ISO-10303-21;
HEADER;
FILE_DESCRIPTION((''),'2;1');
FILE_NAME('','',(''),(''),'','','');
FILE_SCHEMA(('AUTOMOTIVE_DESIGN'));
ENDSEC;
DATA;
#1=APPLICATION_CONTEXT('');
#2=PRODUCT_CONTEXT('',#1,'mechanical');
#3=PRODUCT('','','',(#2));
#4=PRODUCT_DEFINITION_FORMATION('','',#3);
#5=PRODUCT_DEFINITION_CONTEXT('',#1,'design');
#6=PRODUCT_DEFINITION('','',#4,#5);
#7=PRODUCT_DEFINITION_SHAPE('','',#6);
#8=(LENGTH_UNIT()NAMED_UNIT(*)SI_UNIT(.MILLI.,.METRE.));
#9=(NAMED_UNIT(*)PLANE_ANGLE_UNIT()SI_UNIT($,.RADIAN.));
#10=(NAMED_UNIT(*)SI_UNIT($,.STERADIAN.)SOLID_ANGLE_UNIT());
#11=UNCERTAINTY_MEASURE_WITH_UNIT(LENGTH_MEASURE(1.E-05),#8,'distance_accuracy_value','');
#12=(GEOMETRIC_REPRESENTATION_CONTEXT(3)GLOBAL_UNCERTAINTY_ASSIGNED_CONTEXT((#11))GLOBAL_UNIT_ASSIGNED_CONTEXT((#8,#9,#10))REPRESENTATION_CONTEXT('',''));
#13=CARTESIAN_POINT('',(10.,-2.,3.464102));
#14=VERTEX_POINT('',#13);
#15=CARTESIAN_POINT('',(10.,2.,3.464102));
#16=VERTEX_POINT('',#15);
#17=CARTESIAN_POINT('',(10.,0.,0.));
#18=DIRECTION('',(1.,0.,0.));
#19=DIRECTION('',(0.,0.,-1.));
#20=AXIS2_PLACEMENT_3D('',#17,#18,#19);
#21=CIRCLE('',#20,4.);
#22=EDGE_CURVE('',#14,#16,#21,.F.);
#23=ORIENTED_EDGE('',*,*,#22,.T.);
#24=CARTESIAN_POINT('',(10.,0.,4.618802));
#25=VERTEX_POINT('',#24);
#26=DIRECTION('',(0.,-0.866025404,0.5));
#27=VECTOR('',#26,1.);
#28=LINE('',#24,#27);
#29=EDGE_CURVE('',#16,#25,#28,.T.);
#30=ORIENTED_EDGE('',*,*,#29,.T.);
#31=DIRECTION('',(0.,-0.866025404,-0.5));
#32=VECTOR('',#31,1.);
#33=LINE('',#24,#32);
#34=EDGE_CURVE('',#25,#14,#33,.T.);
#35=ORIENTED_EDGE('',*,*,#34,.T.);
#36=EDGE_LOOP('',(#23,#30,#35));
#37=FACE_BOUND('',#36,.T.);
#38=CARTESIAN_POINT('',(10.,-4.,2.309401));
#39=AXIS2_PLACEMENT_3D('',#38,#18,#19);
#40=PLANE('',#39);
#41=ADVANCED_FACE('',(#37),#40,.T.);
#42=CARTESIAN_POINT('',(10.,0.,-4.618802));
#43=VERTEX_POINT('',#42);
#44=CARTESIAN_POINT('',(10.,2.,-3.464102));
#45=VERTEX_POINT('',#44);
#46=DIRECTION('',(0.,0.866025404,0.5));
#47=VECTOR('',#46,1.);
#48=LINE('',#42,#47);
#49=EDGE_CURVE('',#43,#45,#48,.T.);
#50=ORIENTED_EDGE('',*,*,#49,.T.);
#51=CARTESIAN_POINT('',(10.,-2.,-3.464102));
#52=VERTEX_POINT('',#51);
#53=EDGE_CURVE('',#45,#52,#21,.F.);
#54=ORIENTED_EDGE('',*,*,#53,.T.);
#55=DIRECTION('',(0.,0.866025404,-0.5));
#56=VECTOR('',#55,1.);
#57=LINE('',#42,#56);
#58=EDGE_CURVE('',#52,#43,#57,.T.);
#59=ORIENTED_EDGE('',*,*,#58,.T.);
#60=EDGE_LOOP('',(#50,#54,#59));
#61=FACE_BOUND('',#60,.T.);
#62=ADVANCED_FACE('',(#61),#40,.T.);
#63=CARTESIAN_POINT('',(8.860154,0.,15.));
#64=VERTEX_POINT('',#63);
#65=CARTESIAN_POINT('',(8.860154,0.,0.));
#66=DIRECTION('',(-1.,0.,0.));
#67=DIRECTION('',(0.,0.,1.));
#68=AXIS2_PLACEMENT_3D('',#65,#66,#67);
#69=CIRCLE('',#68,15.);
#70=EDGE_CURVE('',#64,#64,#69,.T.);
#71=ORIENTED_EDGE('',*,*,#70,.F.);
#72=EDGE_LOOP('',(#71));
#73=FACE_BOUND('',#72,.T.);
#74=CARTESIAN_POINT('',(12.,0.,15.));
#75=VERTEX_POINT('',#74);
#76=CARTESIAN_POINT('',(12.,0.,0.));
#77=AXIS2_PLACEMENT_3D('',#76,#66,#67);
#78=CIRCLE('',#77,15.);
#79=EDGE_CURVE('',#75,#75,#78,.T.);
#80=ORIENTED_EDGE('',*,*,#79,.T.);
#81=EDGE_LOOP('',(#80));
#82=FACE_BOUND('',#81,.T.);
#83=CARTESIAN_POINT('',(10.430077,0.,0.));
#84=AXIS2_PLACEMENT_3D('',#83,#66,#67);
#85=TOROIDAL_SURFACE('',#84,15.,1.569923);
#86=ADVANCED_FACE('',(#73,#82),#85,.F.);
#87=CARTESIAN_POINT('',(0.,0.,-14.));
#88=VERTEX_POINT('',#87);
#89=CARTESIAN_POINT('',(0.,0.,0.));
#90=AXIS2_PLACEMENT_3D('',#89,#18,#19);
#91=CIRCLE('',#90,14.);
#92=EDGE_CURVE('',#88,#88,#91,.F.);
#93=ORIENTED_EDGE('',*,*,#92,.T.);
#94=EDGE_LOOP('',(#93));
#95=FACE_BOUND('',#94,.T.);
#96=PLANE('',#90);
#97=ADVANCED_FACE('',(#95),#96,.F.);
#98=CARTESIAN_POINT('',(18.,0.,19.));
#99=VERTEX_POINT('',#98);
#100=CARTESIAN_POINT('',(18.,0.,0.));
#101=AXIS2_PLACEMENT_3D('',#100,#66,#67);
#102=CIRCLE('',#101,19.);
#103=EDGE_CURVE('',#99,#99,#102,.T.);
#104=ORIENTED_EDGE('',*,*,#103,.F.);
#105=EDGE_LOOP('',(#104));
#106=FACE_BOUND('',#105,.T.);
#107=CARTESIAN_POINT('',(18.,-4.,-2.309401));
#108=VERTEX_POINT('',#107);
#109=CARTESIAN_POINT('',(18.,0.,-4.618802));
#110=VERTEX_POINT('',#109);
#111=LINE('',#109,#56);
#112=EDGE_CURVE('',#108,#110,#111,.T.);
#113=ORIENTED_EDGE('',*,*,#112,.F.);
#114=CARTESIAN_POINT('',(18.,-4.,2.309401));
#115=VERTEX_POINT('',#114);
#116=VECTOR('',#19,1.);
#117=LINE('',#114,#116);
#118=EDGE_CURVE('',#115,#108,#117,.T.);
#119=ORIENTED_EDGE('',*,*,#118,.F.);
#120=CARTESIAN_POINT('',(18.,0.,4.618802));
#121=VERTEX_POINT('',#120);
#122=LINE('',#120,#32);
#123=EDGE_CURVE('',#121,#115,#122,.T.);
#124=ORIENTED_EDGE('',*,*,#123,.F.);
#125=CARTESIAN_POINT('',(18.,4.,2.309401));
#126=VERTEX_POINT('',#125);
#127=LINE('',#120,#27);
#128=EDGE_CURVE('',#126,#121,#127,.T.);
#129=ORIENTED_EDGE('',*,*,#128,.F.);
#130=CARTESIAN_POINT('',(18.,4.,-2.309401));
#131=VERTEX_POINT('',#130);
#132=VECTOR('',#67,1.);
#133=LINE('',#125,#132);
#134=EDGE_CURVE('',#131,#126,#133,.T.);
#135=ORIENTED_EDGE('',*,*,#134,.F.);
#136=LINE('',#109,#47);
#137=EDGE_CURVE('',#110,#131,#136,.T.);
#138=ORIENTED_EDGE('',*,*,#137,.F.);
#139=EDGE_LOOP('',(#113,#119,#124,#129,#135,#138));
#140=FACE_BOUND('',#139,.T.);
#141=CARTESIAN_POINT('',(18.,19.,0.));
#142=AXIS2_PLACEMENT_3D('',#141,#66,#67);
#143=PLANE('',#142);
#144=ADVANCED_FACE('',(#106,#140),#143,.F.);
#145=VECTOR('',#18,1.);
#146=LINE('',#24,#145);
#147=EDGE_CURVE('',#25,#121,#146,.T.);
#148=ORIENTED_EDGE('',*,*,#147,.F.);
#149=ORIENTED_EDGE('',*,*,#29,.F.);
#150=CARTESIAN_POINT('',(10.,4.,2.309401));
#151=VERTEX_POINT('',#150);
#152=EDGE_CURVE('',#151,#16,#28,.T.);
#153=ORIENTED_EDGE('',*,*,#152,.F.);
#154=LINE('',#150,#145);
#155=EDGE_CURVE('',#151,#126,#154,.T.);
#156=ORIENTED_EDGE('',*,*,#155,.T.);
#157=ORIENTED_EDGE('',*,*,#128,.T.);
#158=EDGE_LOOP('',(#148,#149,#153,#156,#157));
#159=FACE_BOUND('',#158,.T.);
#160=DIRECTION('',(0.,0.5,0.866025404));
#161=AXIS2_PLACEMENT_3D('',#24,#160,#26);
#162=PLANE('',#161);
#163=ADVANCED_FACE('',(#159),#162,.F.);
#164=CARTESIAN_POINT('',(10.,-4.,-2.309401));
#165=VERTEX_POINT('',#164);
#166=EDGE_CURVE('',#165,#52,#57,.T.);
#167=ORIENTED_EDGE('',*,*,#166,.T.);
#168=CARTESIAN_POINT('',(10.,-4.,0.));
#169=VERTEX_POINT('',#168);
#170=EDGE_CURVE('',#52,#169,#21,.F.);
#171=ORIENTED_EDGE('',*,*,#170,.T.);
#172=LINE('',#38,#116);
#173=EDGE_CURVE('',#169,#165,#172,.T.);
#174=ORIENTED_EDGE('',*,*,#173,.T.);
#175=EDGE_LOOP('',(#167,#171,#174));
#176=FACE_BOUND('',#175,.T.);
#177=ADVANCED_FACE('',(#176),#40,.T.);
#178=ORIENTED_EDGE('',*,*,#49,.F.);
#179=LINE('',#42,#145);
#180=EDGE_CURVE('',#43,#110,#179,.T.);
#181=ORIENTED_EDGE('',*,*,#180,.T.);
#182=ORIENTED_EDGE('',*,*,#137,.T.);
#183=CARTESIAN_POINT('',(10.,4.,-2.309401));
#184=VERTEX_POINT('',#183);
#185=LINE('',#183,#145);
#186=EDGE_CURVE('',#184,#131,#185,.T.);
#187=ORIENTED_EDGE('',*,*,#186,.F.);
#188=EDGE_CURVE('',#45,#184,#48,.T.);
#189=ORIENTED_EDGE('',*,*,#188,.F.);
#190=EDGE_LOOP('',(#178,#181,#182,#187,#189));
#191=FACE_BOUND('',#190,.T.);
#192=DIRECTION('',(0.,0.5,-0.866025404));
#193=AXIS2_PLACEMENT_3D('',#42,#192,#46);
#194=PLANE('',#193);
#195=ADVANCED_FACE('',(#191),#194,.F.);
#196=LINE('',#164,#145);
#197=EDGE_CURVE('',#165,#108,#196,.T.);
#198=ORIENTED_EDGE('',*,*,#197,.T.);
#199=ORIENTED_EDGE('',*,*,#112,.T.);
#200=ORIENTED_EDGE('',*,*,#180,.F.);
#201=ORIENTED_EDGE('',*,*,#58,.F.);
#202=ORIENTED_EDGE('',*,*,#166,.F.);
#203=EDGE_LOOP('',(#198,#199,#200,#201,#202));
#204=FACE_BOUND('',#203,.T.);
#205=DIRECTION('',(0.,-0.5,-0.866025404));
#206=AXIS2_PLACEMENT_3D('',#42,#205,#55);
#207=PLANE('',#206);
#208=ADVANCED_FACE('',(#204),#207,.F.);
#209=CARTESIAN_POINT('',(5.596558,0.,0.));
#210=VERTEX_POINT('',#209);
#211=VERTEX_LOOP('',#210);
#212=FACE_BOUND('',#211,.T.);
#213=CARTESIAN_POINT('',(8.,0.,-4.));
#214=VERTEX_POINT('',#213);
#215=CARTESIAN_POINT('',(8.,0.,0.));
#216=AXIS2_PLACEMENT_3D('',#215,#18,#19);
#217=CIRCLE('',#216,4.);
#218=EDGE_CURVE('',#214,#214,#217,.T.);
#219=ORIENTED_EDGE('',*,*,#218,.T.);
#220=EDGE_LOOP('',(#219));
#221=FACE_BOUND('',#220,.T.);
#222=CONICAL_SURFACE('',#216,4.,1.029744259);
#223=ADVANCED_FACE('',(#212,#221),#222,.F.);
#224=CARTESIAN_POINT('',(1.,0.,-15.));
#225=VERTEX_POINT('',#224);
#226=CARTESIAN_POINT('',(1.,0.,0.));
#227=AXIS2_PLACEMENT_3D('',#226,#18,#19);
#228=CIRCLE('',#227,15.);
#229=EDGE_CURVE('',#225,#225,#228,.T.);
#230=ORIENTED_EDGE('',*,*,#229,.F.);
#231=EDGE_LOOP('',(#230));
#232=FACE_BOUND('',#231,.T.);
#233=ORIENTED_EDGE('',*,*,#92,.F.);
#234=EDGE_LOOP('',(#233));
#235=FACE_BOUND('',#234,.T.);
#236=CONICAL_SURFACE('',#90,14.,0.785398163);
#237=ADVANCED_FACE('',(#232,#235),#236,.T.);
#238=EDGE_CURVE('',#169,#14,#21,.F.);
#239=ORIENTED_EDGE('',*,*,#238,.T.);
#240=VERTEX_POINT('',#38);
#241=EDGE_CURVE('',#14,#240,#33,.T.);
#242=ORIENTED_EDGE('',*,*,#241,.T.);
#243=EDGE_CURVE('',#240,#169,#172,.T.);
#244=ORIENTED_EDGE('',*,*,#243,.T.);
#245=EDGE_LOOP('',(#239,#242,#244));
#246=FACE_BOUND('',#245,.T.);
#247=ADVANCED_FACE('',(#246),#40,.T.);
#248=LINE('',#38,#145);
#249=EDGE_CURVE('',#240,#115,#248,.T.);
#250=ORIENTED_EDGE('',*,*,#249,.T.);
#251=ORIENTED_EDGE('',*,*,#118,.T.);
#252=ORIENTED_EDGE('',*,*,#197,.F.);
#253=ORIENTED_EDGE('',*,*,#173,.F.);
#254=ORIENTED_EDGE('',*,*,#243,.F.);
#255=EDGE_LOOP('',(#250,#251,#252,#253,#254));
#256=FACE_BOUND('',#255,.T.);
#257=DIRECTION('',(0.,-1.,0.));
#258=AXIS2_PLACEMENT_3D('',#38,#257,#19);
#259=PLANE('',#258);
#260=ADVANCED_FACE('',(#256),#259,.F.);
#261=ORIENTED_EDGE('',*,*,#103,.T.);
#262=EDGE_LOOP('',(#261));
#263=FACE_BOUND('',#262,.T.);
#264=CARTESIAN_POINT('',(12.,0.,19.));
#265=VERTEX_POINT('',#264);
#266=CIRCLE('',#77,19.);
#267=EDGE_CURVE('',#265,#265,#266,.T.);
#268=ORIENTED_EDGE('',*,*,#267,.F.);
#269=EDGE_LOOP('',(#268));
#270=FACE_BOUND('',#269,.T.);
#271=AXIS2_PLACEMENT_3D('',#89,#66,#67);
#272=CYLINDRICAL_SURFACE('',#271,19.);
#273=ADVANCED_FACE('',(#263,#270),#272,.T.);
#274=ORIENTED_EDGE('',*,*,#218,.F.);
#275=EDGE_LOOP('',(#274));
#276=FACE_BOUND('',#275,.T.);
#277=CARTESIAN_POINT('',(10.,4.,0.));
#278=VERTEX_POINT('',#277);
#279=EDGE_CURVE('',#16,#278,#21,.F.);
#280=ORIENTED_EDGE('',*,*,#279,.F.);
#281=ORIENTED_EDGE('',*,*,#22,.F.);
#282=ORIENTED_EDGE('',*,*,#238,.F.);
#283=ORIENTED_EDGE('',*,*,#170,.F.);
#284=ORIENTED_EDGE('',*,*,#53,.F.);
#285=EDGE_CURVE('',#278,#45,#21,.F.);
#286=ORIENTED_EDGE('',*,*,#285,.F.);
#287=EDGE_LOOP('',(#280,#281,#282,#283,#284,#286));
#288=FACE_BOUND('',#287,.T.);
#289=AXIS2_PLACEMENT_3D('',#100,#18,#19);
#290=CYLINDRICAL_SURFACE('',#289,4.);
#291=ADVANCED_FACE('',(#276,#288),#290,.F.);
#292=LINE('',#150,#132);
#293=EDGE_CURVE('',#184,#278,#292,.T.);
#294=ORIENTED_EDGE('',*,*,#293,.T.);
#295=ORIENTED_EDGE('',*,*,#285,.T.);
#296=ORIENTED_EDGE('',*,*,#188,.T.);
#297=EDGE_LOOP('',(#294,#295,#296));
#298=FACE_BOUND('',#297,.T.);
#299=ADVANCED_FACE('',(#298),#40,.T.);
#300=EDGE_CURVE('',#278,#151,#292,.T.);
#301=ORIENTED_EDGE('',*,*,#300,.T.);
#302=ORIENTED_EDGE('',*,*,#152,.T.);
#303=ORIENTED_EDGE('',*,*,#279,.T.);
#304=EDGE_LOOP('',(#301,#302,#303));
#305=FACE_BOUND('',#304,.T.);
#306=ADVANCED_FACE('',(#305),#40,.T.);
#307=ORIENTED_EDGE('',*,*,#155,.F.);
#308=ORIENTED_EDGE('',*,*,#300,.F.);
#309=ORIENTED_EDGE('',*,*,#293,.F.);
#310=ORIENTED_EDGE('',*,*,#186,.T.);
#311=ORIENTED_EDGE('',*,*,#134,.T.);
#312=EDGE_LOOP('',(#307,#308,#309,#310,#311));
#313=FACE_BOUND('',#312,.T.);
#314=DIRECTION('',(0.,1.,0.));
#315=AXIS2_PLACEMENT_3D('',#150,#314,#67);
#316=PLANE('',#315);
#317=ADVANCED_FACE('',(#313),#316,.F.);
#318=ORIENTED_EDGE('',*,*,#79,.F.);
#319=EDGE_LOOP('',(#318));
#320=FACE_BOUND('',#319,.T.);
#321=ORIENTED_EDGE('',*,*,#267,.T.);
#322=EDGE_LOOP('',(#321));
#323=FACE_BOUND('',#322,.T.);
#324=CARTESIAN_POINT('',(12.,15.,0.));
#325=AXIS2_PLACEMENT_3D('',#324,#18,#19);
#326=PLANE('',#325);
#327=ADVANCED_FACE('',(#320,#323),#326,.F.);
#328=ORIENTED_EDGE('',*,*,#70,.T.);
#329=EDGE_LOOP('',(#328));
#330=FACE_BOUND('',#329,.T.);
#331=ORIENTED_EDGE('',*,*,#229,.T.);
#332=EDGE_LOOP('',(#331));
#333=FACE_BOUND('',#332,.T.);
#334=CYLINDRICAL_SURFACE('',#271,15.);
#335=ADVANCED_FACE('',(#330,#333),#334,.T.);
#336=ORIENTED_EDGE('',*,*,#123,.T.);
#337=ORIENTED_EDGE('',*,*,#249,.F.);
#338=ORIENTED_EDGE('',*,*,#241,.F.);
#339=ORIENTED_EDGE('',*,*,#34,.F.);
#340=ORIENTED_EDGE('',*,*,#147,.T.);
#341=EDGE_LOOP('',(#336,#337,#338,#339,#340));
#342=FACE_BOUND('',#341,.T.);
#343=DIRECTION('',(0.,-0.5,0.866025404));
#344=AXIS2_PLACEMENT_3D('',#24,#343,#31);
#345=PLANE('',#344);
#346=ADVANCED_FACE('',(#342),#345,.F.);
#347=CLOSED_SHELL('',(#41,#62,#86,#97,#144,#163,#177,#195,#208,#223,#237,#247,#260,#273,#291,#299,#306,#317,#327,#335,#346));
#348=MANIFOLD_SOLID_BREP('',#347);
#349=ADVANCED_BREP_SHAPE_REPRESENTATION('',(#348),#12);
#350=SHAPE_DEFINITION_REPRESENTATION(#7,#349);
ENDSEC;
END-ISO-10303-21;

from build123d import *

# Parameters (mm, degrees)
ENL_V_MAT_EXTRU_1_DEPTH = 8
CHANFREIN1_SIZE         = 1


with BuildPart() as part:
    # Esquisse1 → Révolution1 (revolve)
    with BuildSketch(Plane.XY, mode=Mode.PRIVATE) as r_volution1_sk:
        with BuildLine():
            Line((0, 0), (0, 15))
            Line((0, 15), (8.860153684, 15))
            ThreePointArc((8.860153684, 15), (10.430076842, 13.430076842), (12, 15))
            Line((12, 15), (12, 19))
            Line((12, 19), (18, 19))
            Line((18, 19), (18, 0))
            Line((18, 0), (0, 0))
        make_face()
    revolve(r_volution1_sk.sketch.rotate(Axis((0, 0, 0), (1, 0, 0)), 90), axis=Axis((0, 0, 0), (1, 0, 0)))

    # Esquisse5 → Diamètre du perçage Ø8.0 (8)1 (revolve, cut)
    with BuildSketch(Plane(origin=(18, 0, 0), x_dir=(0, 0, -1), z_dir=(0, 1, 0))):
        Polygon((0, 0), (0, 12.403442476), (4, 10), (4, 0), align=None)
    revolve(axis=Axis((24.35, 0, 0), (-1, 0, 0)), mode=Mode.SUBTRACT)

    # Esquisse3 → Enlèv. mat.-Extru.1 (cut)
    with BuildSketch(Plane(origin=(18, 0, 0), x_dir=(0, 0, -1), z_dir=(1, 0, 0))):
        Polygon((-4.618802154, 0), (-2.309401077, 4), (2.309401077, 4), (4.618802154, 0), (2.309401077, -4), (-2.309401077, -4), align=None)
    extrude(amount=-ENL_V_MAT_EXTRU_1_DEPTH, mode=Mode.SUBTRACT)

    # Chanfrein1
    chanfrein1_edges = [part.edges().sort_by_distance(p)[0] for p in [
        (0, 0, -15),
    ]]
    chamfer(chanfrein1_edges, length=CHANFREIN1_SIZE)


solid = part.part
